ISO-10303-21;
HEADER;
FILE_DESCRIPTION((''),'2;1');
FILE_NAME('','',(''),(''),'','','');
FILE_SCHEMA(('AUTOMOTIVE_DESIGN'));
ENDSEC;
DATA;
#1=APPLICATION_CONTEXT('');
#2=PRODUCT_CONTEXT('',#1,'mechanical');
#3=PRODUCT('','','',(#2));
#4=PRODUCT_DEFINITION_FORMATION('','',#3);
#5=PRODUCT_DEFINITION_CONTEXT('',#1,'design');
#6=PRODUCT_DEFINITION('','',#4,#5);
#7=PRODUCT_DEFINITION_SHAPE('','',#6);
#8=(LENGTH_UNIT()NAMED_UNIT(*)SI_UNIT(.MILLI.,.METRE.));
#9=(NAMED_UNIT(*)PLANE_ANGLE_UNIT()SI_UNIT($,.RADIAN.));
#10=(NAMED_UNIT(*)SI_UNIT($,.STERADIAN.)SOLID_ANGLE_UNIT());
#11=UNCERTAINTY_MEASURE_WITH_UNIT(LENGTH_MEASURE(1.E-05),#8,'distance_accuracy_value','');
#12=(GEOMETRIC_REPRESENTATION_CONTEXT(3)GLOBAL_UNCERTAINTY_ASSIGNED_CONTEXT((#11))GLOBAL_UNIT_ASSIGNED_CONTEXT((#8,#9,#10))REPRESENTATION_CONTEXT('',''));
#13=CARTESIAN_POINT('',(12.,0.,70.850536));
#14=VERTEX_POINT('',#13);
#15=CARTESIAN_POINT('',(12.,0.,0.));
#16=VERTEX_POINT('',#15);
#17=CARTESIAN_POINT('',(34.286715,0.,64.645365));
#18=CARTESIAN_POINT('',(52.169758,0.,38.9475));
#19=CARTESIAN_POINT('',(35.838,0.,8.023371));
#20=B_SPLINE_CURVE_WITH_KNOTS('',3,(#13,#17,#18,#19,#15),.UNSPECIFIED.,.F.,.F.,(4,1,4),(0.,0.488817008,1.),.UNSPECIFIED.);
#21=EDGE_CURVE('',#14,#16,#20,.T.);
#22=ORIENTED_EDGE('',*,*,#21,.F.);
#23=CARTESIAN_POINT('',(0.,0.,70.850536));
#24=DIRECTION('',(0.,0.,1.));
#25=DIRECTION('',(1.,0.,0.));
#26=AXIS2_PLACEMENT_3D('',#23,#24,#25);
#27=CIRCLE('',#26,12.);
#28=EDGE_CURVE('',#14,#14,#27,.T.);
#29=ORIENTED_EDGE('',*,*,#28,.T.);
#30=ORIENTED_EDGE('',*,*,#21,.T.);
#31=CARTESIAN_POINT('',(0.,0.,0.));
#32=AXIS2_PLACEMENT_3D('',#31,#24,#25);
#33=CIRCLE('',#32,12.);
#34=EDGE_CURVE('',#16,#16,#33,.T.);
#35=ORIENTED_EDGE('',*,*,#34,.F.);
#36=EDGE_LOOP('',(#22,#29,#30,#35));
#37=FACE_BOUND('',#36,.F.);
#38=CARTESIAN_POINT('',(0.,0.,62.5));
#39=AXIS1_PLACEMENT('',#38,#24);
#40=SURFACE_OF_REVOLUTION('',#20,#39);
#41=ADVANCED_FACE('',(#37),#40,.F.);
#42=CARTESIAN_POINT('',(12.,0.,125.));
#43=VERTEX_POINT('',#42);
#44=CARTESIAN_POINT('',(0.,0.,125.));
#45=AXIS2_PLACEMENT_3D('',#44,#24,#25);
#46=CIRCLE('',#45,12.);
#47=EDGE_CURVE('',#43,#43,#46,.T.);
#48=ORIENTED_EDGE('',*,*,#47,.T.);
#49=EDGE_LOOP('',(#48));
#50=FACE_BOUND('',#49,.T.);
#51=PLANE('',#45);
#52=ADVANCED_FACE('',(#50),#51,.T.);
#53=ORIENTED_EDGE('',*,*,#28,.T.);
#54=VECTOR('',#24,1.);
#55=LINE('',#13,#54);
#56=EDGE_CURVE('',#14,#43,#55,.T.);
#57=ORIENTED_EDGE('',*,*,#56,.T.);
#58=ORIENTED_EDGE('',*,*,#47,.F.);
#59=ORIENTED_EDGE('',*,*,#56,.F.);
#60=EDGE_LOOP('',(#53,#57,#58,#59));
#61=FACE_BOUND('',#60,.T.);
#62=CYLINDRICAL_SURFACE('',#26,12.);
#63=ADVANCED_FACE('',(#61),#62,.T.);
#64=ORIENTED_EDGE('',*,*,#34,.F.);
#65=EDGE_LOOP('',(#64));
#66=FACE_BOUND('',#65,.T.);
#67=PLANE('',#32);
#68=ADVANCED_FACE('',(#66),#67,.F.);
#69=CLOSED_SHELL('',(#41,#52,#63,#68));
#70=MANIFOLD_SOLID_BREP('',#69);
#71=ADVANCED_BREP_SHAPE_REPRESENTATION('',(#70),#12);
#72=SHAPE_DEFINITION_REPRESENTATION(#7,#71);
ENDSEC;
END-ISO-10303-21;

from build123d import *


with BuildPart() as f1:
    # F0 (on Front) → F1 (revolve)
    with BuildSketch(Plane.XZ):
        with BuildLine():
            Line((0, 125), (0, 0))
            Line((0, 0), (12, 0))
            add(Edge.make_bspline(
                [(12, 70.8505362272), (34.2867150903, 64.6453648806), (52.1697582644, 38.9474996548), (35.8380004764, 8.0233709887), (12, 0)],
                knots=[0, 0, 0, 0, 0.4888170079, 1, 1, 1, 1], degree=3))
            Line((12, 70.8505362272), (12, 125))
            Line((12, 125), (0, 125))
        make_face()
    revolve(axis=Axis((0, 0, 62.5), (0, 0, 1)))


solid = f1.part
